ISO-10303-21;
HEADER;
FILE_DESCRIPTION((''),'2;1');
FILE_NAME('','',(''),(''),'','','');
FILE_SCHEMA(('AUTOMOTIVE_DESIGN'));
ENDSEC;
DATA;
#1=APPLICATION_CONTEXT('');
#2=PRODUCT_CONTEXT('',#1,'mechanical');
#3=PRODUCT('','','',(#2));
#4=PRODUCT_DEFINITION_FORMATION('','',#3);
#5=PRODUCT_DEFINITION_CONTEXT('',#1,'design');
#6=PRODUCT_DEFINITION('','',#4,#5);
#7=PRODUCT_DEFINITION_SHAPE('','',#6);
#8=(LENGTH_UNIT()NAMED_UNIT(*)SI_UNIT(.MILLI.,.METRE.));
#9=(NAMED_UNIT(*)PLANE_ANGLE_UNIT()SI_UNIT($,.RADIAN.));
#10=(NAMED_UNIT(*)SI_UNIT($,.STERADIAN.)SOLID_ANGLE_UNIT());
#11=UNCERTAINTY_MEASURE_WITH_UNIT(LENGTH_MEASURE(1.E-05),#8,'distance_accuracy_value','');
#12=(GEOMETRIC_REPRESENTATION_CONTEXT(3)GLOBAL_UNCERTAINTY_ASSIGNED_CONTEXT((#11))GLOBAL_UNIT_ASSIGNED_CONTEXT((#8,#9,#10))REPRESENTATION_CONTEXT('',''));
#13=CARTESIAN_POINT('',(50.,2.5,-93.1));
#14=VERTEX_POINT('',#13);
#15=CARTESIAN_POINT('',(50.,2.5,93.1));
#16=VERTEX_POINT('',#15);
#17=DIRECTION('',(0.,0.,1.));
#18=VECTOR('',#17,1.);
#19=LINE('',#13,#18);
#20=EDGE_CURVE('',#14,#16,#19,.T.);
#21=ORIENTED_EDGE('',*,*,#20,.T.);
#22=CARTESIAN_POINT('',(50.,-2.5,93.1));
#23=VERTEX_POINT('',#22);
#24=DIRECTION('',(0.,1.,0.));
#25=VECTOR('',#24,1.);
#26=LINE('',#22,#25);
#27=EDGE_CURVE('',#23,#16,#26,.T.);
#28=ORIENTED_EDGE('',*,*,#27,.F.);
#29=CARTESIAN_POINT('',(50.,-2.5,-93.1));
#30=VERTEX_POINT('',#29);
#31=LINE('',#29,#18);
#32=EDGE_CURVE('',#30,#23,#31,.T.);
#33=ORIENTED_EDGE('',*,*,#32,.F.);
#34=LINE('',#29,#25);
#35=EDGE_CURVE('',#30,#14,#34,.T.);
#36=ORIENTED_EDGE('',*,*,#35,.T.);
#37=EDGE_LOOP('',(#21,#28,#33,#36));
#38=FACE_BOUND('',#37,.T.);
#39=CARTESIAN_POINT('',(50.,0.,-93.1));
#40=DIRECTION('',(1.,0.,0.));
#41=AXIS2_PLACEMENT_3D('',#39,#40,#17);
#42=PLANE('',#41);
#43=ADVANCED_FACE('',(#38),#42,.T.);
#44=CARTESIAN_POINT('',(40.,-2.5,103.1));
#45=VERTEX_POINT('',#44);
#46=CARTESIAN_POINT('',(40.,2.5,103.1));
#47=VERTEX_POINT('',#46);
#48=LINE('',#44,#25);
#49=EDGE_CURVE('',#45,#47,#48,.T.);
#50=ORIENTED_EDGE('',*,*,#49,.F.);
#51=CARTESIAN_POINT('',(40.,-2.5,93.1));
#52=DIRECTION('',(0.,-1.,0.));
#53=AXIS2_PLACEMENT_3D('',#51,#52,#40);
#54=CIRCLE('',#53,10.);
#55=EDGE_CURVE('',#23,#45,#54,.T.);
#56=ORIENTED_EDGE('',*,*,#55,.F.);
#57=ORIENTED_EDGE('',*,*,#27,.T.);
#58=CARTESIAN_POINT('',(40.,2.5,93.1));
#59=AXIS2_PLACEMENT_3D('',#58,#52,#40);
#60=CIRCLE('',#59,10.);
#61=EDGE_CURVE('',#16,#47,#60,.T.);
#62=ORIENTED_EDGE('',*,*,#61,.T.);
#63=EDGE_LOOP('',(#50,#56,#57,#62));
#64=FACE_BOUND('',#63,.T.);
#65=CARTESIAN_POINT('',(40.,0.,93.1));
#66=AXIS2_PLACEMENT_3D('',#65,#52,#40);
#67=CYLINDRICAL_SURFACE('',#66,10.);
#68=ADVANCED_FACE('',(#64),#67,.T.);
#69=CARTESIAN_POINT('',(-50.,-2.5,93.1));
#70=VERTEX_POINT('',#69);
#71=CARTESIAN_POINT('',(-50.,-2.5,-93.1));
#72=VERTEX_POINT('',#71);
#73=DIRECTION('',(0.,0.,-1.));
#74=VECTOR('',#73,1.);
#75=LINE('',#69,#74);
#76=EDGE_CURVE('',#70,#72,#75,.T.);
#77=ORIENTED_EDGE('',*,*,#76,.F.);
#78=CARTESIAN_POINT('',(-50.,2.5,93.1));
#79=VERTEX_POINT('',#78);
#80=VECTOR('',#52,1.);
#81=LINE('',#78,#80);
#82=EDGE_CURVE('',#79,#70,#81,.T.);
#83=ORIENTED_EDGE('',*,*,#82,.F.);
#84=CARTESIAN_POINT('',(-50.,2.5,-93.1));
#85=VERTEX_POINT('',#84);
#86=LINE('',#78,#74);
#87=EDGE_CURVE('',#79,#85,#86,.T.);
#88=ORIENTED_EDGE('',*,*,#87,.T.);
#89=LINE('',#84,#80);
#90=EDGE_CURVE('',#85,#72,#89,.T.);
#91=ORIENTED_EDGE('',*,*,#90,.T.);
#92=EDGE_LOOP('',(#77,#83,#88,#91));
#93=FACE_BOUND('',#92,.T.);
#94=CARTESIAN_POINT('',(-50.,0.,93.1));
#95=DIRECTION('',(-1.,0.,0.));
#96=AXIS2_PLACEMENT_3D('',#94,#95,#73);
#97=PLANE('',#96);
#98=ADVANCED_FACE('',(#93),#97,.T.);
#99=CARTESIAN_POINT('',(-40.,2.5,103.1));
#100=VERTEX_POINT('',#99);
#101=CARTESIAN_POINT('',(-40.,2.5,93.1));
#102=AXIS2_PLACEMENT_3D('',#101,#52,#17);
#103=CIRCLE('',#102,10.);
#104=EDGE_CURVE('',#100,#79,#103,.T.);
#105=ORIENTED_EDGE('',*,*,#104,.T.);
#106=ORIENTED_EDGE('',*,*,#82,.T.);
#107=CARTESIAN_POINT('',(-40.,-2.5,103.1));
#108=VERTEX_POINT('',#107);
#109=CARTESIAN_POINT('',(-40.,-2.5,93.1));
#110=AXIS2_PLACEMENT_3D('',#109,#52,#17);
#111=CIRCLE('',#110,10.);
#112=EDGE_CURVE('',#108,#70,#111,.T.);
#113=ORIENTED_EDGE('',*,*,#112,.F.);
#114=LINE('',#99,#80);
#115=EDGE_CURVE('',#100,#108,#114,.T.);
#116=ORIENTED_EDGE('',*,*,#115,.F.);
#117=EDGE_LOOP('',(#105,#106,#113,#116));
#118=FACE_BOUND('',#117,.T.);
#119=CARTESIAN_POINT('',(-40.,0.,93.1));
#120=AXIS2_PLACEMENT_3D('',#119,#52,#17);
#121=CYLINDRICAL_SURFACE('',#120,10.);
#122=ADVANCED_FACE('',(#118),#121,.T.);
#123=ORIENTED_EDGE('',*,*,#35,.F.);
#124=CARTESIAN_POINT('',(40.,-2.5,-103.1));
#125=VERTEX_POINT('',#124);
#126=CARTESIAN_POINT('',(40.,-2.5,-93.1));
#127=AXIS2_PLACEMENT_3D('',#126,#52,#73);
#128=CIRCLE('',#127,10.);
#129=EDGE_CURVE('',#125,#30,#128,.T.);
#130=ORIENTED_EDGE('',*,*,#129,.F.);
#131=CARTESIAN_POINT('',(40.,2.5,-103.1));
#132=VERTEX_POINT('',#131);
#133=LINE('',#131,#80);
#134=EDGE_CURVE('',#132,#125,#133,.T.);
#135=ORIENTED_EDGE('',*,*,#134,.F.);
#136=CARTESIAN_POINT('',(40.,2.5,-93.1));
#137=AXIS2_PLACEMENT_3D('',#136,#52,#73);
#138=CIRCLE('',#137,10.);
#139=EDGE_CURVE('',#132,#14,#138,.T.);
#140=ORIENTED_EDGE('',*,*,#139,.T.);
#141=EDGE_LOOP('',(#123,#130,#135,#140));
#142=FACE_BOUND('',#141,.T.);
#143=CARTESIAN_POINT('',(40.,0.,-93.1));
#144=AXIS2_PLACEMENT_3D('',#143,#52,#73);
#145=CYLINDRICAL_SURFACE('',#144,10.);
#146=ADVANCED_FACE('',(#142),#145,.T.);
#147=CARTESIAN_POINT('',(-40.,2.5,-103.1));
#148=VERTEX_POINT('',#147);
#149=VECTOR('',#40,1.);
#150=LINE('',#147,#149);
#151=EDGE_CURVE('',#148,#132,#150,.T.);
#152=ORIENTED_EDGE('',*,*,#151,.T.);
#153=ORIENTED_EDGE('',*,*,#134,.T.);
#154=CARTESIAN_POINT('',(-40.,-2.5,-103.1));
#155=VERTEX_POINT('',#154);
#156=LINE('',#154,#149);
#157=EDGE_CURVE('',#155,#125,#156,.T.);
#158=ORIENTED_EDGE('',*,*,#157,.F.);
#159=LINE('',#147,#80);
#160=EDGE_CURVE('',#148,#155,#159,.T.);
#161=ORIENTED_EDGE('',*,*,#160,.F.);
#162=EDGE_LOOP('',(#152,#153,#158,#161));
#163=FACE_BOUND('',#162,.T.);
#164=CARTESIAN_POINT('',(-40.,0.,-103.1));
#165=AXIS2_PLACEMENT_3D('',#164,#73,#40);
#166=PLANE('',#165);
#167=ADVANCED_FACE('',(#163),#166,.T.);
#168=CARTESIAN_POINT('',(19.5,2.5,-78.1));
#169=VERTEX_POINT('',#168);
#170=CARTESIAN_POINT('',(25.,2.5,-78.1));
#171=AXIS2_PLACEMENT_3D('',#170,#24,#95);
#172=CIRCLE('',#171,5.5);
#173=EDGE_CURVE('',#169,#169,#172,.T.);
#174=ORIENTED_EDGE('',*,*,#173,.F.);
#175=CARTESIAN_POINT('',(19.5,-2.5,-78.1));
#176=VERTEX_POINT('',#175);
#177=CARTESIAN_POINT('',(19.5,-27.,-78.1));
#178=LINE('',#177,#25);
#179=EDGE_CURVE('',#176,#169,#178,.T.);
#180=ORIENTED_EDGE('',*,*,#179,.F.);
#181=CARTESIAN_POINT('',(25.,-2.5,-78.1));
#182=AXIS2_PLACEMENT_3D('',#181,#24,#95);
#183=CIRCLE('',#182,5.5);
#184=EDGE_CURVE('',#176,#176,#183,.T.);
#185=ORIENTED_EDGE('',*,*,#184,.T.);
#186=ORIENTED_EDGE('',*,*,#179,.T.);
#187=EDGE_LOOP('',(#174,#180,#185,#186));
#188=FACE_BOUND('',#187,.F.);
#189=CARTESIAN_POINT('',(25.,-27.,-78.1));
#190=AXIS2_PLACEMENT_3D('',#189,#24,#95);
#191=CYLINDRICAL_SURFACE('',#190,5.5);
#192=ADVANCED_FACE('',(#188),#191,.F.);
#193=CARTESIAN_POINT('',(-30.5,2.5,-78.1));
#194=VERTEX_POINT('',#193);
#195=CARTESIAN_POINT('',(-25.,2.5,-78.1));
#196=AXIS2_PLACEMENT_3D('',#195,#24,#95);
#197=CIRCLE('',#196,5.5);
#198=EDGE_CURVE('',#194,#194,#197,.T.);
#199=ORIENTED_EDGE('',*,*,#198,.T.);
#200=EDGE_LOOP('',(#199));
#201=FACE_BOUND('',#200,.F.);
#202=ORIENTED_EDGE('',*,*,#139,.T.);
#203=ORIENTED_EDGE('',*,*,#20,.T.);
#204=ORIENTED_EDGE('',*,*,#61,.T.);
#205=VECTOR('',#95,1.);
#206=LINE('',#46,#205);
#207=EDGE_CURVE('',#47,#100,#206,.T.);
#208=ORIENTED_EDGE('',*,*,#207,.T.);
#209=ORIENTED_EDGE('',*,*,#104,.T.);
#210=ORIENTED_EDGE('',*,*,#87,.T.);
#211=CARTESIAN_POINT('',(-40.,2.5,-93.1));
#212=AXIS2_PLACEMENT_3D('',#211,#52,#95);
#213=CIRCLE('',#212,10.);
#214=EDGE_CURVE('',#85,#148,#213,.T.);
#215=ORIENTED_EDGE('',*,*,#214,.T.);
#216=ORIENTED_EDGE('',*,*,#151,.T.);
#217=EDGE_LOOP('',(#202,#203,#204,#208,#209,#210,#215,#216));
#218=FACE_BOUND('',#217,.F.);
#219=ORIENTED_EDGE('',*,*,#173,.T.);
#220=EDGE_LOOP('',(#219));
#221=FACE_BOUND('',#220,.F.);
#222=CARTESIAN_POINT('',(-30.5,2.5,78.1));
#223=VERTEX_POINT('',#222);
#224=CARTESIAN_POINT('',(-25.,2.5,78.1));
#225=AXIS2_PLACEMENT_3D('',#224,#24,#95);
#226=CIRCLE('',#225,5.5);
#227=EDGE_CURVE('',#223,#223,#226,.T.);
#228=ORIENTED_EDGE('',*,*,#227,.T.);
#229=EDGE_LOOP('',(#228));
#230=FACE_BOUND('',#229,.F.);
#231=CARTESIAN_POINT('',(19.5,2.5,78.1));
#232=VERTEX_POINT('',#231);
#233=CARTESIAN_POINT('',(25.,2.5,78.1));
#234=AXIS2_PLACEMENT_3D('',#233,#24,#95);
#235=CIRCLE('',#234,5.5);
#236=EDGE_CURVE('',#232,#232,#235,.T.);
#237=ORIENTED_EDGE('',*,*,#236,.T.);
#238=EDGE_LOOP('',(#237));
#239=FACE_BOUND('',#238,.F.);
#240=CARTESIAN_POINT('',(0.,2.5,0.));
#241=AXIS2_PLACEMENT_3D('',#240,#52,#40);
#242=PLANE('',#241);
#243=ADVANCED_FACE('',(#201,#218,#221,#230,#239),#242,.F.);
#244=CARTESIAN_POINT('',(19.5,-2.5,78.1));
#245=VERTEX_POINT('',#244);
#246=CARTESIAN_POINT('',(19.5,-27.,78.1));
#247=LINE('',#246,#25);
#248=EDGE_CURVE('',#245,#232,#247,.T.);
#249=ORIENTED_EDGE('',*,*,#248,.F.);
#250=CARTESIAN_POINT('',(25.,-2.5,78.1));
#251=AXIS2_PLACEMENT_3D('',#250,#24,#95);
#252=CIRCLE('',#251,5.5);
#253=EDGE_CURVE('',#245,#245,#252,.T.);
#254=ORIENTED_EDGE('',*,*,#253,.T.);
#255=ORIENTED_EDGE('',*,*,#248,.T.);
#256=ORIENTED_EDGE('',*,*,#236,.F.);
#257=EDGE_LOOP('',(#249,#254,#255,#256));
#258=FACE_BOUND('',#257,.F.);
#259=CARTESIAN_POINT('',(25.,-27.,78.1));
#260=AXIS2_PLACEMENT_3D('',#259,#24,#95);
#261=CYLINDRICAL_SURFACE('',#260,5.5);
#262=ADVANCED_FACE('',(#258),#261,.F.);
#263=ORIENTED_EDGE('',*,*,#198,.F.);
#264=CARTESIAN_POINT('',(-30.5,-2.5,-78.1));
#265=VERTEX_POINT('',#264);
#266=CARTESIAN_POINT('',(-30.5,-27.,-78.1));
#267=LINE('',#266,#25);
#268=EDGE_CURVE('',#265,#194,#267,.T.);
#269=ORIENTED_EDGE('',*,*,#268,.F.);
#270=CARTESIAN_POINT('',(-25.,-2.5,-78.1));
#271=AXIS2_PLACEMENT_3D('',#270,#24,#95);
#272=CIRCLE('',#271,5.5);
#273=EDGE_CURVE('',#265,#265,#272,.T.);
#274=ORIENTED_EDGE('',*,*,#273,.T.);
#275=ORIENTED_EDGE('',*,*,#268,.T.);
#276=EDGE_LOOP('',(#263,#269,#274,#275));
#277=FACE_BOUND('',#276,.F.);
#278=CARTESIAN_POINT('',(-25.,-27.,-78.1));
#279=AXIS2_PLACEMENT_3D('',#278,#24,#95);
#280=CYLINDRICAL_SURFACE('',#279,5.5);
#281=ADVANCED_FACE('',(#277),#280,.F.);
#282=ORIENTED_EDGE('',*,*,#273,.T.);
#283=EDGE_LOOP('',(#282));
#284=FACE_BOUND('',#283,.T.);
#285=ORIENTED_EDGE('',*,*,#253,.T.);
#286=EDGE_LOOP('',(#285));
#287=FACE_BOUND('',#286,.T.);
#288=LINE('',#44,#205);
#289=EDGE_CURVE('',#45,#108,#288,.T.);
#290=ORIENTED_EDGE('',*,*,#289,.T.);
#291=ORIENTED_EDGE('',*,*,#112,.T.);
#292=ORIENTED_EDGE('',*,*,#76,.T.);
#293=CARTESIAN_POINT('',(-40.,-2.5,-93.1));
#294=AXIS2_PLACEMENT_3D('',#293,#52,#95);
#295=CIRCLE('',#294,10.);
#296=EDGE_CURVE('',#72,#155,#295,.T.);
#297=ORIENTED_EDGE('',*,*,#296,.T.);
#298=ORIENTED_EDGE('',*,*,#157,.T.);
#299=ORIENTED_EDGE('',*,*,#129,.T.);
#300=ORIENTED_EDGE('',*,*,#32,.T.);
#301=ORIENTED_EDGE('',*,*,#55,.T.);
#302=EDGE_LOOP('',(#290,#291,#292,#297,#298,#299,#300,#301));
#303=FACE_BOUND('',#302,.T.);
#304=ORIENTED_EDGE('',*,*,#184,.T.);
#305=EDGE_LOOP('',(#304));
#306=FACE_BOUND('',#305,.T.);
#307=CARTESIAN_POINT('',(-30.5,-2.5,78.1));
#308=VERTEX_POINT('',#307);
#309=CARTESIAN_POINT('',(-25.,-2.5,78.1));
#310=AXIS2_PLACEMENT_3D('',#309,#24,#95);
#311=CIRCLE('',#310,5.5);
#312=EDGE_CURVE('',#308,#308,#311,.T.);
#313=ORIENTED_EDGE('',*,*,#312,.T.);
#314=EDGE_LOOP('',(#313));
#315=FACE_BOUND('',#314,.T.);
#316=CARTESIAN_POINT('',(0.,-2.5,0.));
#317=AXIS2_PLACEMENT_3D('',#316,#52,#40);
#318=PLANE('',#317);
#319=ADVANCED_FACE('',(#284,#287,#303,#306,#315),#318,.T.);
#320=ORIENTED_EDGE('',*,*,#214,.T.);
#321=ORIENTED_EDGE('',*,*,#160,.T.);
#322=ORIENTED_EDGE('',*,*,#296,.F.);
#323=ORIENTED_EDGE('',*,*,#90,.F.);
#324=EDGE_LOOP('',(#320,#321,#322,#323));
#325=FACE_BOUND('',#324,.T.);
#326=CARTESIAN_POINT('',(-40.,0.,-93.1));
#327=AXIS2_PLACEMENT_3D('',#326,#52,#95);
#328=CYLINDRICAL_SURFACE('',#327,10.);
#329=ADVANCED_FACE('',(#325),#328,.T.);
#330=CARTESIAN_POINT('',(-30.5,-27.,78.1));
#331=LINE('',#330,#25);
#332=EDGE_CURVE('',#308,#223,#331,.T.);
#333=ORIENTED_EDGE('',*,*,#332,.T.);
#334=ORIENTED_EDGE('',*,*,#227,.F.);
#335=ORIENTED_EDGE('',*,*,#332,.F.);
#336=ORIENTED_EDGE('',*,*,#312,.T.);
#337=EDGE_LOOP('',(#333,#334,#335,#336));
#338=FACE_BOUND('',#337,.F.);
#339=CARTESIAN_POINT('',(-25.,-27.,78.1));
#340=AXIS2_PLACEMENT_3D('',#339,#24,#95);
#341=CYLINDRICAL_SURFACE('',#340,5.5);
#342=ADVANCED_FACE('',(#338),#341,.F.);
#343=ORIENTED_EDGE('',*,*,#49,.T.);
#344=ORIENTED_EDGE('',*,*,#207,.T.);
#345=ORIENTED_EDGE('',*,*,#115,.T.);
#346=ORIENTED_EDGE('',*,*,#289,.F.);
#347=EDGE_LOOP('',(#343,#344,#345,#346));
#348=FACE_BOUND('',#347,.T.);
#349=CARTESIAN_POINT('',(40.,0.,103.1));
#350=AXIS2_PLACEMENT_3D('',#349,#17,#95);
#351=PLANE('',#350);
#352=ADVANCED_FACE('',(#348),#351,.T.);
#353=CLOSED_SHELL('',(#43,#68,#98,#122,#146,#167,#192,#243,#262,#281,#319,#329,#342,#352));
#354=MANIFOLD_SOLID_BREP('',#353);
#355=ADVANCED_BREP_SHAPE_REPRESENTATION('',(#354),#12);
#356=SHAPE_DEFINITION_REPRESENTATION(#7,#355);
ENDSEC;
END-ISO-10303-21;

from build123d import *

# Parameters (mm, degrees)
F1_DEPTH = 2.5
F3_D     = 11
F3_DEPTH = 24.5
F3_TIP   = 3.3047334047


with BuildPart() as f1:
    # F0 (on Front) → F1 (new body, symmetric)
    with BuildSketch(Plane.XZ):
        with BuildLine():
            Line((40, 103.1), (-40, 103.1))
            ThreePointArc((-40, 103.1), (-47.0710678119, 100.1710678119), (-50, 93.1))
            Line((-50, 93.1), (-50, -93.1))
            ThreePointArc((-50, -93.1), (-47.0710678119, -100.1710678119), (-40, -103.1))
            Line((-40, -103.1), (40, -103.1))
            ThreePointArc((40, -103.1), (47.0710678119, -100.1710678119), (50, -93.1))
            Line((50, -93.1), (50, 93.1))
            ThreePointArc((50, 93.1), (47.0710678119, 100.1710678119), (40, 103.1))
        make_face()
    extrude(amount=F1_DEPTH, both=True)

    # F3
    with Locations(Plane.XZ.offset(2.5)):
        with Locations((-25, 78.1), (25, 78.1), (25, -78.1), (-25, -78.1)):
            Hole(F3_D / 2, depth=F3_DEPTH)
            with Locations((0, 0, -(F3_DEPTH + F3_TIP / 2))):  # 118° drill point
                Cone(0, F3_D / 2, F3_TIP, mode=Mode.SUBTRACT)


solid = f1.part
